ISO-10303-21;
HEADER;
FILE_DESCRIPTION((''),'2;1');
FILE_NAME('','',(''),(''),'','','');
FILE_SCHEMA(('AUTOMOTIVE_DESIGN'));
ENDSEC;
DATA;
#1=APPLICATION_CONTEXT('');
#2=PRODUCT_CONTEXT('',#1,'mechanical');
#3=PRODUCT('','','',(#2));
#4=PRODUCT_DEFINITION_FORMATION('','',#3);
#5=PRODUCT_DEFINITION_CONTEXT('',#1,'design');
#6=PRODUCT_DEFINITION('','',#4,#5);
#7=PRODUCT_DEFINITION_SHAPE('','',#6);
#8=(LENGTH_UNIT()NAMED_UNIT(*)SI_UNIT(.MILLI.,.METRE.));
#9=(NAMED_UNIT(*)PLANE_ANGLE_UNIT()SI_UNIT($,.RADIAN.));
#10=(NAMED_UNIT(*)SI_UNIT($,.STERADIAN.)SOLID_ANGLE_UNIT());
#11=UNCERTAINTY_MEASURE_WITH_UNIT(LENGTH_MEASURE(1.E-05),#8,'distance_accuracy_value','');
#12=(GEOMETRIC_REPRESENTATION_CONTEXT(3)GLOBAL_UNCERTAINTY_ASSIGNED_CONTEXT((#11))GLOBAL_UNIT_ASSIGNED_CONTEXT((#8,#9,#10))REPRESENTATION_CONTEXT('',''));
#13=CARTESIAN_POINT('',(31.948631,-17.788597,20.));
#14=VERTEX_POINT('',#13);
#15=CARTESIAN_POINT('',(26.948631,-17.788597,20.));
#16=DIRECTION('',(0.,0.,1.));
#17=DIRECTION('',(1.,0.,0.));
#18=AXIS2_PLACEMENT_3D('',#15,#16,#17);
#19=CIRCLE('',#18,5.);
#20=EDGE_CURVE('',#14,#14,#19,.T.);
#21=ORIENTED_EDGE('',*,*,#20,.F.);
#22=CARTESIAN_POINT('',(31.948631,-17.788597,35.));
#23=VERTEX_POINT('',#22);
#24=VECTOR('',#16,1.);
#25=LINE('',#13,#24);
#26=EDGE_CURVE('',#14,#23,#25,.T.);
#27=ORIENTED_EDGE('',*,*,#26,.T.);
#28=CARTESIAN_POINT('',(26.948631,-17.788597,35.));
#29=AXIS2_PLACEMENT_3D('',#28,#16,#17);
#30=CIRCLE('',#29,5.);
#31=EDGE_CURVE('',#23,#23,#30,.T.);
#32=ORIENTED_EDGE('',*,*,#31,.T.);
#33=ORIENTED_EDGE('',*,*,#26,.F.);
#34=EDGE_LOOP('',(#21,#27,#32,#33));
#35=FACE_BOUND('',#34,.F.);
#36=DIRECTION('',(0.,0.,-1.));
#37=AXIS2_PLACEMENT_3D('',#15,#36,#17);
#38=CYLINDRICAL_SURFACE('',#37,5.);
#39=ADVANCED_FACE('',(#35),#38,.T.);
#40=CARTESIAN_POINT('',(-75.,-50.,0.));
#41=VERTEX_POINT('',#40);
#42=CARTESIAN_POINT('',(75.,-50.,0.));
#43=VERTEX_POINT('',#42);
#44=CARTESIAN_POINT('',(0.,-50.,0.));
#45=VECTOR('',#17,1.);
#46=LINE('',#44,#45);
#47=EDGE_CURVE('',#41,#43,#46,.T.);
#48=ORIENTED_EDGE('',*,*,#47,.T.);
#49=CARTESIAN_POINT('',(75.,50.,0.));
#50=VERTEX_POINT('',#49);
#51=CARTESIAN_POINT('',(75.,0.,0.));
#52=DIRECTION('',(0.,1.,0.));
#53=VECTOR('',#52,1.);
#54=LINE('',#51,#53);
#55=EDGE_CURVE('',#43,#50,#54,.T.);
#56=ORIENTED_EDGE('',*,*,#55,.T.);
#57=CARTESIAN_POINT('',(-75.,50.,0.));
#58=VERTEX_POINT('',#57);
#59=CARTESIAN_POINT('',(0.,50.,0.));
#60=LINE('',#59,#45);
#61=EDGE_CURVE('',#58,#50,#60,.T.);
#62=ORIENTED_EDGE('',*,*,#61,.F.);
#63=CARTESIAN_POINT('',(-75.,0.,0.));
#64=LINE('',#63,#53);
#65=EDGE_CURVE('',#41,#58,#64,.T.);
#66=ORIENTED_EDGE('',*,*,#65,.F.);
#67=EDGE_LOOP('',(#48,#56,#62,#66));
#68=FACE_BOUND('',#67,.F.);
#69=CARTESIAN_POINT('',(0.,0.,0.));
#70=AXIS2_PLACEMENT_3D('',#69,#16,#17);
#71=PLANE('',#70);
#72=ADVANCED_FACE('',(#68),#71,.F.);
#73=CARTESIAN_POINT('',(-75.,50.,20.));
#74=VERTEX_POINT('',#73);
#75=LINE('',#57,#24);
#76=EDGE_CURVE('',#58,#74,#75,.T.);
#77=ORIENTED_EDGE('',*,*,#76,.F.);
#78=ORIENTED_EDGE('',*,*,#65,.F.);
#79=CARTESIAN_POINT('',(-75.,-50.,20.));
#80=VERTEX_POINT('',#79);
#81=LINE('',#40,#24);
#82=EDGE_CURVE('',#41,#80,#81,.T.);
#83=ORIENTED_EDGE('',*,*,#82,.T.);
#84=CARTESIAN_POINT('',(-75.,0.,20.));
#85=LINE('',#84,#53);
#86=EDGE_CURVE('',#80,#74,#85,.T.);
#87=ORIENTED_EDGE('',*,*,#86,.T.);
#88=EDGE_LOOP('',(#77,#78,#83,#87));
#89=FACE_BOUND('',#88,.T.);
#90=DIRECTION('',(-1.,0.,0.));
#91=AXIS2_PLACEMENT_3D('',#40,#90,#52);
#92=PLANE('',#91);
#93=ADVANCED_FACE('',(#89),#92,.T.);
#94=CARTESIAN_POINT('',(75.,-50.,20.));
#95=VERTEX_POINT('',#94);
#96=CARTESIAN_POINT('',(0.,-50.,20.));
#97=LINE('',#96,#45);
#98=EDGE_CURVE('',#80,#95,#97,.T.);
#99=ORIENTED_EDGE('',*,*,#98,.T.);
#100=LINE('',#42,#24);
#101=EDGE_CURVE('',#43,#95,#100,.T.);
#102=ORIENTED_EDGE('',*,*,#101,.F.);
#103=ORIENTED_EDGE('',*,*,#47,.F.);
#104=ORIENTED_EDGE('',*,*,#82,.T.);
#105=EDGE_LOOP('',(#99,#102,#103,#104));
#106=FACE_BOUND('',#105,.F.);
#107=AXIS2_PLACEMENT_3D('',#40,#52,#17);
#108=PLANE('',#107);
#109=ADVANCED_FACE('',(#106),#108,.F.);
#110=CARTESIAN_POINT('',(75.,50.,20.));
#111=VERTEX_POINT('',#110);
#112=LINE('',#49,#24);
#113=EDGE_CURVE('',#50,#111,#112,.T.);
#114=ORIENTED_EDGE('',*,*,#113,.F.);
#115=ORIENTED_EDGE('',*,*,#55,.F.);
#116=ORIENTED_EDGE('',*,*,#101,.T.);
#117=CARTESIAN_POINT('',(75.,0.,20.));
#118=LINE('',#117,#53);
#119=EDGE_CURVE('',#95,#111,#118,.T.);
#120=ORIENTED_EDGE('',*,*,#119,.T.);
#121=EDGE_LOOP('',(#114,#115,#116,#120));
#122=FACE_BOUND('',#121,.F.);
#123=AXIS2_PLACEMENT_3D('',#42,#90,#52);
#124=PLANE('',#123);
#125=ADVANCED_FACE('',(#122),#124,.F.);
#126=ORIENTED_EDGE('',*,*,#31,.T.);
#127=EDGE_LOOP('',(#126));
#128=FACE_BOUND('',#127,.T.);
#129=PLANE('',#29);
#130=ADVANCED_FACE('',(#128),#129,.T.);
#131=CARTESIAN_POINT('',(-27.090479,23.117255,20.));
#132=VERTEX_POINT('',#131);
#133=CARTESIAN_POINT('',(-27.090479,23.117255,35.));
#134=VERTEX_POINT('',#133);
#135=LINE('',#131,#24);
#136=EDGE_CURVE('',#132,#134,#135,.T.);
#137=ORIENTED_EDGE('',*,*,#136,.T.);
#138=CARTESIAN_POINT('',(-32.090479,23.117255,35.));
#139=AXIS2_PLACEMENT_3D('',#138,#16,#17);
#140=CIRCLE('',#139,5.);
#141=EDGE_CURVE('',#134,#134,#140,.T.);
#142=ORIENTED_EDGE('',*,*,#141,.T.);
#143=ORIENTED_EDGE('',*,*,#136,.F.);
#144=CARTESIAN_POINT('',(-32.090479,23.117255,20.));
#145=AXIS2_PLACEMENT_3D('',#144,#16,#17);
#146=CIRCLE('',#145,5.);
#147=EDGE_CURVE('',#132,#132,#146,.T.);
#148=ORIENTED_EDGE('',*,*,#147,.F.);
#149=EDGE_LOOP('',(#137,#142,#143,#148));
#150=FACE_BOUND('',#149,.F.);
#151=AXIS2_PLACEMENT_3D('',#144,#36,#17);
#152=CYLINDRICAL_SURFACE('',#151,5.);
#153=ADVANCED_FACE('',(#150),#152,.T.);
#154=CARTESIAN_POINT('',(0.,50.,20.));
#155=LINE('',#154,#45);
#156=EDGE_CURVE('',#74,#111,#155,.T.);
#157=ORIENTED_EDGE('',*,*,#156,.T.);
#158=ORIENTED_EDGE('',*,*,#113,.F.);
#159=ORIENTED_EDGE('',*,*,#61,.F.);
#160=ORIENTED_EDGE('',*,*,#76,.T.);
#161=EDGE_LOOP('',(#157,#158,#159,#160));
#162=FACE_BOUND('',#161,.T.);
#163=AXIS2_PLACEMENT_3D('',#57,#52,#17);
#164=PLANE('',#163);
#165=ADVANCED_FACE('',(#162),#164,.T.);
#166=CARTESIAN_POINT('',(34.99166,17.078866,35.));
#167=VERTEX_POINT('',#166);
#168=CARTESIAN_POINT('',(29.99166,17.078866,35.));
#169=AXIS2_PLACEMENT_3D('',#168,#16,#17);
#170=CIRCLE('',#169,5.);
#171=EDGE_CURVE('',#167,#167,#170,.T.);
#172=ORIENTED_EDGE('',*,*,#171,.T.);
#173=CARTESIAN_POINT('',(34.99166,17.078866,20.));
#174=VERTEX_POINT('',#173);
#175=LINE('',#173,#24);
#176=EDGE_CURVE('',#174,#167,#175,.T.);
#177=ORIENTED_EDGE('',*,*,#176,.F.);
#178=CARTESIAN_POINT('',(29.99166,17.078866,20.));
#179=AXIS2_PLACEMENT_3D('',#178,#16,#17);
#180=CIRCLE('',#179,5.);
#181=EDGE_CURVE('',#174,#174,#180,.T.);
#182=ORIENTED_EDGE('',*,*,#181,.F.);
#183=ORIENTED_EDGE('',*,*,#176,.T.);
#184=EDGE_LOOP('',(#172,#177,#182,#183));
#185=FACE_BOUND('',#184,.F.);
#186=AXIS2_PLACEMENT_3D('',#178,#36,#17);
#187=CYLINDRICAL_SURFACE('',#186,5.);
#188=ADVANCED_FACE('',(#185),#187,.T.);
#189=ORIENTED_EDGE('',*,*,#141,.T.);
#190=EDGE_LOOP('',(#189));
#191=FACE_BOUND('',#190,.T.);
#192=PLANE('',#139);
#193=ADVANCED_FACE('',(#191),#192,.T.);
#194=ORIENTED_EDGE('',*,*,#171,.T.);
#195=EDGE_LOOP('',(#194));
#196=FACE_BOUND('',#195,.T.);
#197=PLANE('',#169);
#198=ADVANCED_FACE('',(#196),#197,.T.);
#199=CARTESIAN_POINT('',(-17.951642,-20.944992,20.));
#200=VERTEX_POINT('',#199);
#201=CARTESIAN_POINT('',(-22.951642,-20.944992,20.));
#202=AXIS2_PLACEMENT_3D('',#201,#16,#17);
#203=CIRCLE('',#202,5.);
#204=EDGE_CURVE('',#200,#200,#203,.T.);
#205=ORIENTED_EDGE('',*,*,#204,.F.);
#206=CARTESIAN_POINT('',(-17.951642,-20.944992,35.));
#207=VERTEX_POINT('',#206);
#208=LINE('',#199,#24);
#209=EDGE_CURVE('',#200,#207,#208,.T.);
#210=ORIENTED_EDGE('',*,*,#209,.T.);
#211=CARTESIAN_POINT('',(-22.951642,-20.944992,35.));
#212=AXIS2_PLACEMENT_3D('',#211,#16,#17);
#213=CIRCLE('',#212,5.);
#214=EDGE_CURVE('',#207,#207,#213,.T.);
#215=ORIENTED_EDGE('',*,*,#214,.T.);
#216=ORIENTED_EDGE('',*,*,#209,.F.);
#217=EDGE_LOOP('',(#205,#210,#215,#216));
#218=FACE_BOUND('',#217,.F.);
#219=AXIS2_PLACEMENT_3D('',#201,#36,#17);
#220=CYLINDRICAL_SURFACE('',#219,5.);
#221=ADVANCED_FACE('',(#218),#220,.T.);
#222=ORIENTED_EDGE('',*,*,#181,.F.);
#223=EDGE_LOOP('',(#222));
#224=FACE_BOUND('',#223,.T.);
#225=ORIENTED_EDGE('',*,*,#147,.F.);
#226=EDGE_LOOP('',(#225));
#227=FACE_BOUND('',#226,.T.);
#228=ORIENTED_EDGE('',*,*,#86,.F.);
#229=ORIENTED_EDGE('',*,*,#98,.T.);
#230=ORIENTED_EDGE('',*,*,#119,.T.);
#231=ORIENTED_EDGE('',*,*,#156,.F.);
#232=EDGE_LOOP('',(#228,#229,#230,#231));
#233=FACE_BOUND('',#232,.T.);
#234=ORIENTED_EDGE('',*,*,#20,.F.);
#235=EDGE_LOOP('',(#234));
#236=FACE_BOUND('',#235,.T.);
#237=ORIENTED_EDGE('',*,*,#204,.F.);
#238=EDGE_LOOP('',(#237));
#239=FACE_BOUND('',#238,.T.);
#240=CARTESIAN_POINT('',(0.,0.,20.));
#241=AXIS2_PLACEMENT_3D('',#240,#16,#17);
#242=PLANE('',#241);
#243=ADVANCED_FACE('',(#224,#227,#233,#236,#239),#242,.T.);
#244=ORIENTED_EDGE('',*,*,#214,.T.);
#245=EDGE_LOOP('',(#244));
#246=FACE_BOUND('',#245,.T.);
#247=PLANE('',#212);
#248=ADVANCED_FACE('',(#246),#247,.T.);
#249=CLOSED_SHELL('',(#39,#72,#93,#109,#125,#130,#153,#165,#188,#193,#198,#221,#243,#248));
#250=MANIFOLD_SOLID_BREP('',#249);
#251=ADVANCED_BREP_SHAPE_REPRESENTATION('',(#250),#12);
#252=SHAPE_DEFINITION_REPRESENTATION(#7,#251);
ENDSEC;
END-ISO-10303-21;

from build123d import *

# Parameters (mm, degrees)
F0_W     = 150
F0_H     = 100
F1_DEPTH = 20
F2_R     = 5
F3_DEPTH = 15


with BuildPart() as f1:
    # F0 (on Top) → F1 (new body)
    with BuildSketch(Plane.XY):
        Rectangle(F0_W, F0_H)
    extrude(amount=F1_DEPTH)

    # F2 (on face) → F3 (join)
    with BuildSketch(Plane.XY.offset(20)):
        with Locations((26.948631, -17.788597)):
            Circle(F2_R)
        with Locations((29.99166, 17.078866)):
            Circle(F2_R)
        with Locations((-32.090479, 23.117255)):
            Circle(F2_R)
        with Locations((-22.951642, -20.944992)):
            Circle(F2_R)
    extrude(amount=F3_DEPTH)


solid = f1.part
